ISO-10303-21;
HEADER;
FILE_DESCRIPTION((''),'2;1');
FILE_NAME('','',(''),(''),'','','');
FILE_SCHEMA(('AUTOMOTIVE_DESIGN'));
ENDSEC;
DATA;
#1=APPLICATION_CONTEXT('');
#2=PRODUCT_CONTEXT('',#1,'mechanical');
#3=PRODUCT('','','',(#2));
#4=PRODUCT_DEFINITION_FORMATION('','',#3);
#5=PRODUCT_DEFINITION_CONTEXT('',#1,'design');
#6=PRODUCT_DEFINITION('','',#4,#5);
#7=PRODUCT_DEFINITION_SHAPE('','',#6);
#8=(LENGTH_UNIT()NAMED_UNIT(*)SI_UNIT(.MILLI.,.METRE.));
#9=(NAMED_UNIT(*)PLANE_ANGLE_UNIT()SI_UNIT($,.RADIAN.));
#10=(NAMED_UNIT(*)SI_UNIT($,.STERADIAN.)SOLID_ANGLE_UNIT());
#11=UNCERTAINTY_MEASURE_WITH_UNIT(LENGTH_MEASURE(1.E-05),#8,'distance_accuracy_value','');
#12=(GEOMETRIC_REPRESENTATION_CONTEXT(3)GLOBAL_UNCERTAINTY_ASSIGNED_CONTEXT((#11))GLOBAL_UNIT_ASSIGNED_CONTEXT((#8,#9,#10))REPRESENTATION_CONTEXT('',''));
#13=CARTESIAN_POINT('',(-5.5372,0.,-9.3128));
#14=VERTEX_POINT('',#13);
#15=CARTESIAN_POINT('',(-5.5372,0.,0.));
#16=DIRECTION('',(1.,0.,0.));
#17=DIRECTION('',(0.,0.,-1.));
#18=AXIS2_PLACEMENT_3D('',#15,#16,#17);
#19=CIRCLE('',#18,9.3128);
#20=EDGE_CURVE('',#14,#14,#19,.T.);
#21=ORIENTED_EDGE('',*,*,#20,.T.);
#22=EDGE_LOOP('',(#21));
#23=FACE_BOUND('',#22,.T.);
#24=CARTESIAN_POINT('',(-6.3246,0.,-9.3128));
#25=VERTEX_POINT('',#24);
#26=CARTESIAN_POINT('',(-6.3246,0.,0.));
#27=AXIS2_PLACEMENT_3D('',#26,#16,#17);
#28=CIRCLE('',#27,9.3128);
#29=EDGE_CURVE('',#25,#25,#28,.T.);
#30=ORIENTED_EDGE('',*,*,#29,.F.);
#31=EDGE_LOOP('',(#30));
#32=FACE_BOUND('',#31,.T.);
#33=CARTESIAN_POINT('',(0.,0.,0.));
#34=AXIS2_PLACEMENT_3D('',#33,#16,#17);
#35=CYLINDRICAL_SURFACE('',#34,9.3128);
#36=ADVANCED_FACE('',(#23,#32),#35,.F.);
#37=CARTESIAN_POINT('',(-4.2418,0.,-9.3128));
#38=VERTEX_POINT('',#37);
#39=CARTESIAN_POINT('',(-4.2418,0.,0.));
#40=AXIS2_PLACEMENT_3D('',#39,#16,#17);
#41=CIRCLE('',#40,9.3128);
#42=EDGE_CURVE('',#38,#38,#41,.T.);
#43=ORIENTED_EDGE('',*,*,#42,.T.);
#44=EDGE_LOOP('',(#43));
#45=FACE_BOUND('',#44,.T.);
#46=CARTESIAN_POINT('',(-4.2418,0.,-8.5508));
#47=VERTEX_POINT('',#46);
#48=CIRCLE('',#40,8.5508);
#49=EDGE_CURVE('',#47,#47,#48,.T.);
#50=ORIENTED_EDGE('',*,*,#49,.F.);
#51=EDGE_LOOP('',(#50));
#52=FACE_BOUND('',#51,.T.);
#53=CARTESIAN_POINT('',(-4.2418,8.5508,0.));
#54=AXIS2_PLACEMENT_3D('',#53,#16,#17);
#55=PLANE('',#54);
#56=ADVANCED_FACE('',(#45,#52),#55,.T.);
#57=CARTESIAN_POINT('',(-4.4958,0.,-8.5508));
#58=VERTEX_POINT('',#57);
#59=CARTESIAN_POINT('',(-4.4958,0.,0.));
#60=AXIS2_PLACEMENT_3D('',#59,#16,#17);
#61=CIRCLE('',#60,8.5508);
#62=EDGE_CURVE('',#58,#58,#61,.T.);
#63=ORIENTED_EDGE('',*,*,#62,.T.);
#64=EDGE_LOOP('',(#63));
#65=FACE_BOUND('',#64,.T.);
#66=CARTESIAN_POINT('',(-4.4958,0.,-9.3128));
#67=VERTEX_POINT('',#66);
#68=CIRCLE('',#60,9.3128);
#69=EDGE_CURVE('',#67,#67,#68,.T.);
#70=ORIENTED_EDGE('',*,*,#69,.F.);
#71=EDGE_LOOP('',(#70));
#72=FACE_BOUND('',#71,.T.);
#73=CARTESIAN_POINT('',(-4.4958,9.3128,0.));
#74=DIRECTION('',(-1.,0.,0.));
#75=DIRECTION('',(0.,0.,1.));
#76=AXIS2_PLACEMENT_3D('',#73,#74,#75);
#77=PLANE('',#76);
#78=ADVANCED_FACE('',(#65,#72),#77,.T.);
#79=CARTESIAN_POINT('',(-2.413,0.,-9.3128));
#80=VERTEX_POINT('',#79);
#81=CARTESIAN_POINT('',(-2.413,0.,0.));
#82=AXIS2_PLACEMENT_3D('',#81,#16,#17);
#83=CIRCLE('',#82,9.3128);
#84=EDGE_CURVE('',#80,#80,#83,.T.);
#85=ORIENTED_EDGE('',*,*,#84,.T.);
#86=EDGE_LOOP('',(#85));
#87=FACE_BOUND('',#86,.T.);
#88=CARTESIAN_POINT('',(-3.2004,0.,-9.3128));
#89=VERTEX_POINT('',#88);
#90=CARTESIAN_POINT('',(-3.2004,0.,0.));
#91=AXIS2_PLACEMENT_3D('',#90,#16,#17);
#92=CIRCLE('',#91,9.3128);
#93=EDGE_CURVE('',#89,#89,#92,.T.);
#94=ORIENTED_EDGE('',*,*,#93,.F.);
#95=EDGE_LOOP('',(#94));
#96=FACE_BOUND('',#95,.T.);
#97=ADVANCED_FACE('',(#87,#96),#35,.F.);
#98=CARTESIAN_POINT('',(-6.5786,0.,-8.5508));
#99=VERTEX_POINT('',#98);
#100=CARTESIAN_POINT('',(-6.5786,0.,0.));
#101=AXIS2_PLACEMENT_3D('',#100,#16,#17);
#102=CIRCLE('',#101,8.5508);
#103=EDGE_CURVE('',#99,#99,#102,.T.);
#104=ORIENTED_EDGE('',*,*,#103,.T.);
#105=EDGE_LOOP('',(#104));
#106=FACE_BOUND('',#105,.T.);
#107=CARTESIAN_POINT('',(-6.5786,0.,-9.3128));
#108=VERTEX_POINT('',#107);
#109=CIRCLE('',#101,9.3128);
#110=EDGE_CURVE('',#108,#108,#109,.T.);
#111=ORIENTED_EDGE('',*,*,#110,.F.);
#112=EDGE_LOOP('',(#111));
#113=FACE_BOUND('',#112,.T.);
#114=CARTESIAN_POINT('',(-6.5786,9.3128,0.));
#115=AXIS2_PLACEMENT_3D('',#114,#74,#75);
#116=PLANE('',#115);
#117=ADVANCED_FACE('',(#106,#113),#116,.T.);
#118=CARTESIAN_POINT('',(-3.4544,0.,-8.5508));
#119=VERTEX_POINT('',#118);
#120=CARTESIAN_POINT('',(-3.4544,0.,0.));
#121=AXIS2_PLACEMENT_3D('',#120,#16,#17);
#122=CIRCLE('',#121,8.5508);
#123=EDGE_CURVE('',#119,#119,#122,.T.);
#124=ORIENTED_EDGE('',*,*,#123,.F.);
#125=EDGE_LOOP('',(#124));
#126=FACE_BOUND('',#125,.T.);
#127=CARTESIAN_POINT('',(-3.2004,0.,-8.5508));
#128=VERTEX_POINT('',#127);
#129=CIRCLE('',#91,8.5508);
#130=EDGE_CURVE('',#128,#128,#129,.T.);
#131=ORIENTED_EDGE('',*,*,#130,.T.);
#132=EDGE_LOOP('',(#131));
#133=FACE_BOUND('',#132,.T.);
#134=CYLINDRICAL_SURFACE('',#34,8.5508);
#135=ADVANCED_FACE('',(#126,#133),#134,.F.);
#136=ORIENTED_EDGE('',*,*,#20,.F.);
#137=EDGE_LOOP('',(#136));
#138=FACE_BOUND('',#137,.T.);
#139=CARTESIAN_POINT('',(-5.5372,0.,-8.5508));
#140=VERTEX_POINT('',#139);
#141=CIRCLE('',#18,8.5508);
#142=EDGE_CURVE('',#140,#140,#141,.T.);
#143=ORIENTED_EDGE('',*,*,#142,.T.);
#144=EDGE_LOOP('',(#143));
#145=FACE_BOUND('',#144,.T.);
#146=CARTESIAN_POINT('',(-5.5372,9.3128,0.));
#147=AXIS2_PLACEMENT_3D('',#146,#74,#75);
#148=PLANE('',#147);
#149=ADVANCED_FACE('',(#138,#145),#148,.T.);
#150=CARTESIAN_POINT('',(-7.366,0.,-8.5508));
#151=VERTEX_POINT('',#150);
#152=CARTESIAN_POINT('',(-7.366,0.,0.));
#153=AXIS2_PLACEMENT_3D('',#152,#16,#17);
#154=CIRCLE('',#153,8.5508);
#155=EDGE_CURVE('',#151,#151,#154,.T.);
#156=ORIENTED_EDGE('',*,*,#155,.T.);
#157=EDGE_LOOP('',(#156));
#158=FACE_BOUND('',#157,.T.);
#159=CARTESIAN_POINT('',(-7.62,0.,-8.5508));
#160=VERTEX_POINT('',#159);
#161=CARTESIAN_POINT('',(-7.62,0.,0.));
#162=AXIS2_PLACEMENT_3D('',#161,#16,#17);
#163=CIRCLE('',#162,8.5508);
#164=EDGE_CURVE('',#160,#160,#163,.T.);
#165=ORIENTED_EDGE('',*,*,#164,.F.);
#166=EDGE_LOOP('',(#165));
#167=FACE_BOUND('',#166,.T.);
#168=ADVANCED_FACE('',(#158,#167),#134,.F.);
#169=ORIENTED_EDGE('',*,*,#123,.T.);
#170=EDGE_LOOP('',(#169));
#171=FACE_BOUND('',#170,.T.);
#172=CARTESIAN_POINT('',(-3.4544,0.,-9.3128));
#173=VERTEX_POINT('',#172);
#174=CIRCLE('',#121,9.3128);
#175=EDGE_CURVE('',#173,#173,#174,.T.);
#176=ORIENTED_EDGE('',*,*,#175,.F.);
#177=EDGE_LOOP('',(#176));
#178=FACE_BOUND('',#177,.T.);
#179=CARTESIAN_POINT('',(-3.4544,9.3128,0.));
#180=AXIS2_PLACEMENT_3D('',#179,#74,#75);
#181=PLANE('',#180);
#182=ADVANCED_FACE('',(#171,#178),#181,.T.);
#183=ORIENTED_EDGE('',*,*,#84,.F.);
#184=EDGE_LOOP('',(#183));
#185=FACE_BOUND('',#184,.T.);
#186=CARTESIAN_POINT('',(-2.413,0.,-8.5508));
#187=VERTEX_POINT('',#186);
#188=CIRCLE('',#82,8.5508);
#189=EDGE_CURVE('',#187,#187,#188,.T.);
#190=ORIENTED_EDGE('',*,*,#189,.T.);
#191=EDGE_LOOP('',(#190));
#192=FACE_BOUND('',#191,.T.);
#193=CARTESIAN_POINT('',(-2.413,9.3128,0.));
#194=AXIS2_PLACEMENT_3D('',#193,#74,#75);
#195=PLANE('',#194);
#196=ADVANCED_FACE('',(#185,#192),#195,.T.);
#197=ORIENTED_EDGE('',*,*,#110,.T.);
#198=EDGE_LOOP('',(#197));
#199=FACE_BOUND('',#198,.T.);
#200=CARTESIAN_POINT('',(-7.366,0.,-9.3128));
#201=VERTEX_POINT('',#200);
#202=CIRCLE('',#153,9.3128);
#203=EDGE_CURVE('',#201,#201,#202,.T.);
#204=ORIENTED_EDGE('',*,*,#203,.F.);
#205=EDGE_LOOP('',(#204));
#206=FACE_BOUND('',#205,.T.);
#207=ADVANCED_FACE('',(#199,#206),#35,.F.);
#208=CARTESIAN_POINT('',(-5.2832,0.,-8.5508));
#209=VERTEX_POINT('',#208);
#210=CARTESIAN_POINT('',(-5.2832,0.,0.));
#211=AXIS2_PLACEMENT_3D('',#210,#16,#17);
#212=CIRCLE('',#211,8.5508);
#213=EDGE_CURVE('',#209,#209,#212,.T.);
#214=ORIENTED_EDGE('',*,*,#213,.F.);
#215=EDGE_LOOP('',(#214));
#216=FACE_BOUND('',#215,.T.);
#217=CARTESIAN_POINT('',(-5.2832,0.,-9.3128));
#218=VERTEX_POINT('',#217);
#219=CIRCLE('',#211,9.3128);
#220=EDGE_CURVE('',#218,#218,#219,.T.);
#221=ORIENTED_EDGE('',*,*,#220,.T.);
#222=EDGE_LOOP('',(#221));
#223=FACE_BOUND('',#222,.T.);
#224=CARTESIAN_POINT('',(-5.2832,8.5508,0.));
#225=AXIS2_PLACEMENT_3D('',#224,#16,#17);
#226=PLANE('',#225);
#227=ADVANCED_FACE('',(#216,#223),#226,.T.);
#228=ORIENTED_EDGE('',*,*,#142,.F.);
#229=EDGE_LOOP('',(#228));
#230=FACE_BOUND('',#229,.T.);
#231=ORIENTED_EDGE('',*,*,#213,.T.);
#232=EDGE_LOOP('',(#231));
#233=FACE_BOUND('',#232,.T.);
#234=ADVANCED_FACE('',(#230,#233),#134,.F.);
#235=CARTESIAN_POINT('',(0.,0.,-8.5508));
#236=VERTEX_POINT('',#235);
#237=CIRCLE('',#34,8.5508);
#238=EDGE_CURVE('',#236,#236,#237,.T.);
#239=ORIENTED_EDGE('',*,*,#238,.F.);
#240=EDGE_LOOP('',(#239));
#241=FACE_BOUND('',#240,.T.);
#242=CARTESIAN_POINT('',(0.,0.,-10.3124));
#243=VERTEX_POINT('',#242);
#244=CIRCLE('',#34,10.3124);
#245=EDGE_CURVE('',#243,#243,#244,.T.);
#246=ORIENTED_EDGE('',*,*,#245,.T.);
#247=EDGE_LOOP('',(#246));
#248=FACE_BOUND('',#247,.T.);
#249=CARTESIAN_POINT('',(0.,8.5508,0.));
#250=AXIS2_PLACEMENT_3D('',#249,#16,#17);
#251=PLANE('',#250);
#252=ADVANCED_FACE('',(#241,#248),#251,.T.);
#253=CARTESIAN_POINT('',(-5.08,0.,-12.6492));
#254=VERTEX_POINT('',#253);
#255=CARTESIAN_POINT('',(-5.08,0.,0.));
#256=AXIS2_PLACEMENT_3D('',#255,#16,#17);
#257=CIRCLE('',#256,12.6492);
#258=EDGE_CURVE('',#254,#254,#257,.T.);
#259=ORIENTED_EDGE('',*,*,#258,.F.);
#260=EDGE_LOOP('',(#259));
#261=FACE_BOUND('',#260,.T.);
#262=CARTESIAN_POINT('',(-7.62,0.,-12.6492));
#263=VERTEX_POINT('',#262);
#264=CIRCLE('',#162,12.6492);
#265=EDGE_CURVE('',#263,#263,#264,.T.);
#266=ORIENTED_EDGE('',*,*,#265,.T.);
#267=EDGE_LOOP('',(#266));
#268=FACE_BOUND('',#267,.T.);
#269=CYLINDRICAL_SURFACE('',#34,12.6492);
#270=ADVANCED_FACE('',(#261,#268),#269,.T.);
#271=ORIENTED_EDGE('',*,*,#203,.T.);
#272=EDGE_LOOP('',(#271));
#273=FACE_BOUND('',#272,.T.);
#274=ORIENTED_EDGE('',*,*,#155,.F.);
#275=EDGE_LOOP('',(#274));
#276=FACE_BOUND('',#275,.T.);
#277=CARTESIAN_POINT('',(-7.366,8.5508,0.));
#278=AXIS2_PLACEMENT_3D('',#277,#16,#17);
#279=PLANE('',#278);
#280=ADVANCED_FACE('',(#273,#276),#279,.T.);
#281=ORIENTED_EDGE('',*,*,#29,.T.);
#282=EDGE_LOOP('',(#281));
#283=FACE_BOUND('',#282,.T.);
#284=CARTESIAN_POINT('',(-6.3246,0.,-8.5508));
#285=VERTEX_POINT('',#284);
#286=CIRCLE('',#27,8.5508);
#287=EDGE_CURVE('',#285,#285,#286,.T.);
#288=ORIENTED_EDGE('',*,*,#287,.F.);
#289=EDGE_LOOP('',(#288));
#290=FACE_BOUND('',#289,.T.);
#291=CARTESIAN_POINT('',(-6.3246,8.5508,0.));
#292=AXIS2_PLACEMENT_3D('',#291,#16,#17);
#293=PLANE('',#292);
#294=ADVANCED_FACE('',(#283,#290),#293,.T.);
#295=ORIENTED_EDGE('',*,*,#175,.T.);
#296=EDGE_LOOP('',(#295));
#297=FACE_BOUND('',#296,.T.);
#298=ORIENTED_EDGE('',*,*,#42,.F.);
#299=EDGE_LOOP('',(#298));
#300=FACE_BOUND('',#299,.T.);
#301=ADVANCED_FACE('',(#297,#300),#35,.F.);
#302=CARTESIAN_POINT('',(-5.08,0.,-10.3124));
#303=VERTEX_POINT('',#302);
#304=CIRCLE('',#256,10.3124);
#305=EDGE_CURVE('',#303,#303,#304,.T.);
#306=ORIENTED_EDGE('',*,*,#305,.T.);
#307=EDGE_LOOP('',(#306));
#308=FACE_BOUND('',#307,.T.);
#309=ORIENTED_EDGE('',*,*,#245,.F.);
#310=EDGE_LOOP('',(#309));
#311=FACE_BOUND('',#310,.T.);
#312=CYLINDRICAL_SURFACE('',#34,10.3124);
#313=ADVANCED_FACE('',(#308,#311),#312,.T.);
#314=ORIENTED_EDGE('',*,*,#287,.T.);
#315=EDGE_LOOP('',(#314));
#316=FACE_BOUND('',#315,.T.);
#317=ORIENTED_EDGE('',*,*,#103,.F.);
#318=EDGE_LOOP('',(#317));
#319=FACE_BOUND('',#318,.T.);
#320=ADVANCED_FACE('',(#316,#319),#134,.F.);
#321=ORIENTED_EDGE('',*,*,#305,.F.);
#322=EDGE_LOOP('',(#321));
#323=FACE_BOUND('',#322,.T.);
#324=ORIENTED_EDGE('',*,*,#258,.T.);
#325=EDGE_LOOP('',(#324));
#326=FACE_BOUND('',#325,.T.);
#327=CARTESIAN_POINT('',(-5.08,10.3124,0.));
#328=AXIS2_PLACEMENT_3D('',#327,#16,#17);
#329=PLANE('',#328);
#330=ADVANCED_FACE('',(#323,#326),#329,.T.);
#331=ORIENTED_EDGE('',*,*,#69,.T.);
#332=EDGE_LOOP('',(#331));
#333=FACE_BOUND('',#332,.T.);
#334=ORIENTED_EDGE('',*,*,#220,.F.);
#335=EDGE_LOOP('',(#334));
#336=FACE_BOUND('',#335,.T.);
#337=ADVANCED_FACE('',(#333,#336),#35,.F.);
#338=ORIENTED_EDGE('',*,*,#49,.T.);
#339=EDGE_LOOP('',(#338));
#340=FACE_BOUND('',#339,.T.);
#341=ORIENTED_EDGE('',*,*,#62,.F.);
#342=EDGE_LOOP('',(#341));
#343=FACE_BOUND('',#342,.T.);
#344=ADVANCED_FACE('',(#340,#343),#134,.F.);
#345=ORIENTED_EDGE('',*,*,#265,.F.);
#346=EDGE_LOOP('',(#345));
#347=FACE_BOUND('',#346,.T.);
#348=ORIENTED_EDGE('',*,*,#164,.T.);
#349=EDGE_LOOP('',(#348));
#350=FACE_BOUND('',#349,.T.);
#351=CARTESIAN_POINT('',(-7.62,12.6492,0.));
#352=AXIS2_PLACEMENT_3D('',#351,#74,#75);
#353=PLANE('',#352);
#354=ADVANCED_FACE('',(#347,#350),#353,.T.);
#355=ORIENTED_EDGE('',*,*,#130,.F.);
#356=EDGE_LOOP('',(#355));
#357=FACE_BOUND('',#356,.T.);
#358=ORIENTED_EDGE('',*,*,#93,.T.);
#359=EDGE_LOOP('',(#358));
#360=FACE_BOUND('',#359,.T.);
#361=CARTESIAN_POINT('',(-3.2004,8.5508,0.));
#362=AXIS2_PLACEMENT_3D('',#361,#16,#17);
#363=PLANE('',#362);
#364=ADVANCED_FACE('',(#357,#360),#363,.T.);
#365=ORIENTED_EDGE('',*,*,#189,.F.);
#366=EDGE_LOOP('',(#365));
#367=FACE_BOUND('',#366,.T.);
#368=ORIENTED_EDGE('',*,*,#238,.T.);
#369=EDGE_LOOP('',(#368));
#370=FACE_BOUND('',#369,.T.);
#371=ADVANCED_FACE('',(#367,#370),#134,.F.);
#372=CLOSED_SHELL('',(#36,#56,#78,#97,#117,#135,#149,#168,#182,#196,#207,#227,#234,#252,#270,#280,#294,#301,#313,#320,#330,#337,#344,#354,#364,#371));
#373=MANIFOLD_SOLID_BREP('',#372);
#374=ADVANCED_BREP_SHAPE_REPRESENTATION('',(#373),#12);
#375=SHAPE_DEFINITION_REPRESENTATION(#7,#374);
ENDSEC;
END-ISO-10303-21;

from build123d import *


with BuildPart() as part:
    # Sketch1 → Revolve1 (revolve)
    with BuildSketch(Plane.XY):
        Polygon((-7.62, 12.6492), (-7.62, 8.550800018), (-7.366, 8.550800018), (-7.366, 9.312800018), (-6.5786, 9.312800018), (-6.5786, 8.550800018), (-6.3246, 8.550800018), (-6.3246, 9.312800018), (-5.5372, 9.312800018), (-5.5372, 8.550800018), (-5.2832, 8.550800018), (-5.2832, 9.312800018), (-4.4958, 9.312800018), (-4.4958, 8.550800018), (-4.2418, 8.550800018), (-4.2418, 9.312800018), (-3.4544, 9.312800018), (-3.4544, 8.550800018), (-3.2004, 8.550800018), (-3.2004, 9.312800018), (-2.413, 9.312800018), (-2.413, 8.550800018), (0, 8.550800018), (0, 10.3124), (-5.08, 10.3124), (-5.08, 12.6492), align=None)
    revolve(axis=Axis((0, 0, 0), (-1, 0, 0)))


solid = part.part
